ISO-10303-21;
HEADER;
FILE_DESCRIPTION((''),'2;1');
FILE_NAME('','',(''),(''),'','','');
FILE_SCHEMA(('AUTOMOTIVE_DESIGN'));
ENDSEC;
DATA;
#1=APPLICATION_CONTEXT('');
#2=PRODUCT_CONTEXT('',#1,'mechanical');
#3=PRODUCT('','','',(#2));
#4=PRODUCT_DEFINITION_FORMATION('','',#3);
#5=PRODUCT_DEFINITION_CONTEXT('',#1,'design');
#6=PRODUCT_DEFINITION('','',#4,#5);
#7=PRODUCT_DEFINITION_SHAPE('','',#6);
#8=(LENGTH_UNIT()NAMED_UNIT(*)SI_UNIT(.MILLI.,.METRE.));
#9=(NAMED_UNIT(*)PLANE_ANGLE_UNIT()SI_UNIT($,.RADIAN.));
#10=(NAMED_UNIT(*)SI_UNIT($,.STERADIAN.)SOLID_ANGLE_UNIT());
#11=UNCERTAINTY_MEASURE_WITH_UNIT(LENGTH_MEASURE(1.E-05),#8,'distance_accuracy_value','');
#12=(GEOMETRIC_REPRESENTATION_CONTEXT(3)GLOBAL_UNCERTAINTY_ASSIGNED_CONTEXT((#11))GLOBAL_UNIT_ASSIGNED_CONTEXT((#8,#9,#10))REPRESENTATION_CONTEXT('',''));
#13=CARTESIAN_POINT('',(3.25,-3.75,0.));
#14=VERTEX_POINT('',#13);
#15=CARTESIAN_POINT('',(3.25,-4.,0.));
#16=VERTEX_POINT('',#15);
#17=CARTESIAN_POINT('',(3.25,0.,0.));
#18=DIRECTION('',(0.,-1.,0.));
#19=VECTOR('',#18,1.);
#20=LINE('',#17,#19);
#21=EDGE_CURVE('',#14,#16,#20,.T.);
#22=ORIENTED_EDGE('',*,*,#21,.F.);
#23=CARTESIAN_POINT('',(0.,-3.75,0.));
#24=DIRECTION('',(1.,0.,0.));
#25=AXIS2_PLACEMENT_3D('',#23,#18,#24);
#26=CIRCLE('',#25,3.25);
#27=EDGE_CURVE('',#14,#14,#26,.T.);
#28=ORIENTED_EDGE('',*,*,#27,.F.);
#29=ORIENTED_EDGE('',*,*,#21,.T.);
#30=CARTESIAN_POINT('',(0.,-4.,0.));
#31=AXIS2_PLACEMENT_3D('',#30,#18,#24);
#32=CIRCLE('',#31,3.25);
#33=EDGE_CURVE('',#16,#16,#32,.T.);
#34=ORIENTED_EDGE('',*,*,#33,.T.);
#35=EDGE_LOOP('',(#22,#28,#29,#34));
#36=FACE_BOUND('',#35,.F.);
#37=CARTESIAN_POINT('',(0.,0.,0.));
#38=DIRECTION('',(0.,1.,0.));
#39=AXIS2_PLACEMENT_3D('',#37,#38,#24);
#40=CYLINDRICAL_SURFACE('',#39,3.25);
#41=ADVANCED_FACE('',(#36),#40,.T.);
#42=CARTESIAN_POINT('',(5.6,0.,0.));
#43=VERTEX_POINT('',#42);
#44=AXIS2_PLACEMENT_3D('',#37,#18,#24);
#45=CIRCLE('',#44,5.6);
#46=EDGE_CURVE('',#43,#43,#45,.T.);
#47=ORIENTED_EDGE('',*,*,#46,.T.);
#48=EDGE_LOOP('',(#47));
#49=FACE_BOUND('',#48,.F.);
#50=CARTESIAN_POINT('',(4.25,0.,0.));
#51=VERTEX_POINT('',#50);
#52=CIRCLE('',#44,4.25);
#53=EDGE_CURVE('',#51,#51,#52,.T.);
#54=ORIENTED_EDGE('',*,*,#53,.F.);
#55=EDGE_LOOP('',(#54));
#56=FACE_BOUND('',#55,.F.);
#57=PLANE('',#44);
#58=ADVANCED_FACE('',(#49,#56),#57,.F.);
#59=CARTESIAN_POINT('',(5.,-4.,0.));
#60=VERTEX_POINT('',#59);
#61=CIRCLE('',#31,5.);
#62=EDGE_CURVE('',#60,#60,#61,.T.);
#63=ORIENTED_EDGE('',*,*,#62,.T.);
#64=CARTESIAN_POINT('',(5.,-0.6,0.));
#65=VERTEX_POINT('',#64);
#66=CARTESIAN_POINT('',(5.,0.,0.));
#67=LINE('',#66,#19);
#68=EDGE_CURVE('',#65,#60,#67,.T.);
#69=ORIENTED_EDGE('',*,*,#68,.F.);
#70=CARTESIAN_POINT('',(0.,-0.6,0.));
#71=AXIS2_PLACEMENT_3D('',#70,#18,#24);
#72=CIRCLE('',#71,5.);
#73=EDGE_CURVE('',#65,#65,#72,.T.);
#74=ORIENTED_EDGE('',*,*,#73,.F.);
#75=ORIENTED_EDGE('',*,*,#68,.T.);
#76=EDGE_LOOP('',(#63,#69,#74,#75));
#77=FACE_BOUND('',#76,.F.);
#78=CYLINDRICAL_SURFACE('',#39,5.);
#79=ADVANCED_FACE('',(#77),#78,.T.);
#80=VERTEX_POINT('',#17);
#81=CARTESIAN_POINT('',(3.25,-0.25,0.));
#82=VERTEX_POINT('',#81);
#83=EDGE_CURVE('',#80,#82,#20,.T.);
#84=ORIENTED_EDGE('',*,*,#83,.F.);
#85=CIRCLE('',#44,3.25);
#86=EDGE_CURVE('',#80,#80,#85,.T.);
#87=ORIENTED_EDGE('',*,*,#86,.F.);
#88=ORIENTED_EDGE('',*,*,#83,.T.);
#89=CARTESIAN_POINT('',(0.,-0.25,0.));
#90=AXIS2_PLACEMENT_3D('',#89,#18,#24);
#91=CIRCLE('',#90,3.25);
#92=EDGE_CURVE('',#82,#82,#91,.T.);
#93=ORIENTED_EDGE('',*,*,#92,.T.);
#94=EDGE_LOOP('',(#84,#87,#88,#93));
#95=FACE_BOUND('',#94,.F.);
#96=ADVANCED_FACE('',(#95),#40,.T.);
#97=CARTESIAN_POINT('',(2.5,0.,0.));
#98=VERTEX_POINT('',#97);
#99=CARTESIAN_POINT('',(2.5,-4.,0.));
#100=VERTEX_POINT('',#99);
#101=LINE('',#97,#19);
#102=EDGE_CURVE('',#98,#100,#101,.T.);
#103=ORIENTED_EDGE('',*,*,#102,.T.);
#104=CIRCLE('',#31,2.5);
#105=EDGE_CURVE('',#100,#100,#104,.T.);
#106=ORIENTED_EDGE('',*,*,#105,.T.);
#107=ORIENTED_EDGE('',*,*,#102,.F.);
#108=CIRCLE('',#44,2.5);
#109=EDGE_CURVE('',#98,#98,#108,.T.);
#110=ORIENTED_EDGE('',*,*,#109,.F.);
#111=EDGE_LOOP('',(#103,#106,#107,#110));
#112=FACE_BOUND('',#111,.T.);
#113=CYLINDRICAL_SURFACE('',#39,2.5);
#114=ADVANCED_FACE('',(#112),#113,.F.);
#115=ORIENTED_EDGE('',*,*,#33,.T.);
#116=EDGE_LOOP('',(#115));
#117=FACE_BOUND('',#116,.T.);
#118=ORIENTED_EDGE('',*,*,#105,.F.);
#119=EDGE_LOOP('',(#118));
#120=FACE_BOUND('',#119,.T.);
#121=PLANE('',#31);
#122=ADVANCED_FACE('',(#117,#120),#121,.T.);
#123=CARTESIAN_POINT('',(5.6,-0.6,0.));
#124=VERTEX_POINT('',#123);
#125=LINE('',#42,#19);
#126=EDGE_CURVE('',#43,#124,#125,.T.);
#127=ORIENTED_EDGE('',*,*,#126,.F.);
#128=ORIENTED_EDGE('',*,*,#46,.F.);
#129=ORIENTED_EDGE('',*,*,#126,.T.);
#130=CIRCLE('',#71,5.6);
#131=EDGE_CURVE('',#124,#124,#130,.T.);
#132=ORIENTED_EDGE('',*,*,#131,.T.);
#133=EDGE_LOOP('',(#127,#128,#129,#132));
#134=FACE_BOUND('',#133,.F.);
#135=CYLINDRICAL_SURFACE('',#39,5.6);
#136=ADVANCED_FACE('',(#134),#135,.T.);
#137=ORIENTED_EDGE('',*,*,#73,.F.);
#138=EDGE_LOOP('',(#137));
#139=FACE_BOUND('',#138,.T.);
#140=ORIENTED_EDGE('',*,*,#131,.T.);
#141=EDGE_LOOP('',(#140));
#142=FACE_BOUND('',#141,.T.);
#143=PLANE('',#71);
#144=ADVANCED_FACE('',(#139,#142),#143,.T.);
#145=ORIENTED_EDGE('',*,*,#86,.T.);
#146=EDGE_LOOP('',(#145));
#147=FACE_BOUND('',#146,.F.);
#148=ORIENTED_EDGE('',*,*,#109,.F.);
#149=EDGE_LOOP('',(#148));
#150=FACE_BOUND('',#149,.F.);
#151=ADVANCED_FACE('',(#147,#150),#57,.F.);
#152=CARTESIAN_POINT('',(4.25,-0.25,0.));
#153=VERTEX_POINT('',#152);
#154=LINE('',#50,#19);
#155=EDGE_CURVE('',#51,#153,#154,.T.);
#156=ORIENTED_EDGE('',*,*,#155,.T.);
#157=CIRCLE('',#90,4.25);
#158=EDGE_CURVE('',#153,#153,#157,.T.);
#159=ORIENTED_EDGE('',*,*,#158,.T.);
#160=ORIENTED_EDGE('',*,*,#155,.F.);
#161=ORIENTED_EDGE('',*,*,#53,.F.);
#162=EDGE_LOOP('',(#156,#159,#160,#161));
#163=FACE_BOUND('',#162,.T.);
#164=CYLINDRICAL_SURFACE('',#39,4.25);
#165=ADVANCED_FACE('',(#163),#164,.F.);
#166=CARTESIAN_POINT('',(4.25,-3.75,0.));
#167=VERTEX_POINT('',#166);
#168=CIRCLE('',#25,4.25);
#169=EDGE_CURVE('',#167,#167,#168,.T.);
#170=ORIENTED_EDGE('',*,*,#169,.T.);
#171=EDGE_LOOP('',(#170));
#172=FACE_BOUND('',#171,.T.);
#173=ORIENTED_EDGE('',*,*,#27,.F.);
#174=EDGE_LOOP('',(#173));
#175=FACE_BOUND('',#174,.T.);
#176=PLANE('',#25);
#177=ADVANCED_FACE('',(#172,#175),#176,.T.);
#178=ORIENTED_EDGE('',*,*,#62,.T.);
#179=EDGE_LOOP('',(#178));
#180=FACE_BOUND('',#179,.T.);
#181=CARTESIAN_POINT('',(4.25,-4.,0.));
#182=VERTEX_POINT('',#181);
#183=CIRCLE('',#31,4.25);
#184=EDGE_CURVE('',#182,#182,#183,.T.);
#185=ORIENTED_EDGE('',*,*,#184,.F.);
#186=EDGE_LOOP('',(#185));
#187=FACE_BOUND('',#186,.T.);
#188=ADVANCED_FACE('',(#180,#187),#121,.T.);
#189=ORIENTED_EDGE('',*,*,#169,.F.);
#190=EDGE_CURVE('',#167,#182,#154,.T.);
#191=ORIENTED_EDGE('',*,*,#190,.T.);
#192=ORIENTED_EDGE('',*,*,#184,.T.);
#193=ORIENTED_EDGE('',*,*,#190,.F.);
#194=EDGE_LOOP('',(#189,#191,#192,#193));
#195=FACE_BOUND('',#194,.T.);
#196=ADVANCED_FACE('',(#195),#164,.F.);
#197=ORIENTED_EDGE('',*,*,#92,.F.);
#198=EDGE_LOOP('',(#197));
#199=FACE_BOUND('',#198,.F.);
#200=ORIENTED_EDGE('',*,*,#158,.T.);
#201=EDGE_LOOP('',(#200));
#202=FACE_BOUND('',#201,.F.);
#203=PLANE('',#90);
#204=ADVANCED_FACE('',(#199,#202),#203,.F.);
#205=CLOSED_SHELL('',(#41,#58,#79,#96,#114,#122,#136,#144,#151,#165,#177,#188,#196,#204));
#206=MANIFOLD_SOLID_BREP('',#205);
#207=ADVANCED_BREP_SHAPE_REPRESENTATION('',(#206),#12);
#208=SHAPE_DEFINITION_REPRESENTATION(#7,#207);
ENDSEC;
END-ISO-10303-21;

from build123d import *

# Parameters (mm, degrees)
F2_R      = 5.6
F2_R_2    = 5
F3_DEPTH  = 0.6
F4_R      = 5
F4_R_2    = 4.25
F5_DEPTH  = 4
F6_R      = 3.25
F6_R_2    = 2.5
F7_DEPTH  = 4
F9_R      = 4.25
F9_R_2    = 3.25
F10_DEPTH = 1.75


with BuildPart() as f3:
    # F2 (on Front) → F3 (new body)
    with BuildSketch(Plane.XZ):
        Circle(F2_R)
        Circle(F2_R_2, mode=Mode.SUBTRACT)
    extrude(amount=F3_DEPTH)

    # F4 (on Front) → F5 (join)
    with BuildSketch(Plane.XZ):
        Circle(F4_R)
        Circle(F4_R_2, mode=Mode.SUBTRACT)
    extrude(amount=F5_DEPTH)



with BuildPart() as f7:
    # F6 (on Front) → F7 (new body)
    with BuildSketch(Plane.XZ):
        Circle(F6_R)
        Circle(F6_R_2, mode=Mode.SUBTRACT)
    extrude(amount=F7_DEPTH)


with BuildPart() as f3_1:
    add(f3.part)

    add(f7.part)  # F10 merges F7
    # F9 (on offset) → F10 (join, symmetric)
    with BuildSketch(Plane.XZ.offset(2)):
        Circle(F9_R)
        Circle(F9_R_2, mode=Mode.SUBTRACT)
    extrude(amount=F10_DEPTH, both=True)


solid = f3_1.part
